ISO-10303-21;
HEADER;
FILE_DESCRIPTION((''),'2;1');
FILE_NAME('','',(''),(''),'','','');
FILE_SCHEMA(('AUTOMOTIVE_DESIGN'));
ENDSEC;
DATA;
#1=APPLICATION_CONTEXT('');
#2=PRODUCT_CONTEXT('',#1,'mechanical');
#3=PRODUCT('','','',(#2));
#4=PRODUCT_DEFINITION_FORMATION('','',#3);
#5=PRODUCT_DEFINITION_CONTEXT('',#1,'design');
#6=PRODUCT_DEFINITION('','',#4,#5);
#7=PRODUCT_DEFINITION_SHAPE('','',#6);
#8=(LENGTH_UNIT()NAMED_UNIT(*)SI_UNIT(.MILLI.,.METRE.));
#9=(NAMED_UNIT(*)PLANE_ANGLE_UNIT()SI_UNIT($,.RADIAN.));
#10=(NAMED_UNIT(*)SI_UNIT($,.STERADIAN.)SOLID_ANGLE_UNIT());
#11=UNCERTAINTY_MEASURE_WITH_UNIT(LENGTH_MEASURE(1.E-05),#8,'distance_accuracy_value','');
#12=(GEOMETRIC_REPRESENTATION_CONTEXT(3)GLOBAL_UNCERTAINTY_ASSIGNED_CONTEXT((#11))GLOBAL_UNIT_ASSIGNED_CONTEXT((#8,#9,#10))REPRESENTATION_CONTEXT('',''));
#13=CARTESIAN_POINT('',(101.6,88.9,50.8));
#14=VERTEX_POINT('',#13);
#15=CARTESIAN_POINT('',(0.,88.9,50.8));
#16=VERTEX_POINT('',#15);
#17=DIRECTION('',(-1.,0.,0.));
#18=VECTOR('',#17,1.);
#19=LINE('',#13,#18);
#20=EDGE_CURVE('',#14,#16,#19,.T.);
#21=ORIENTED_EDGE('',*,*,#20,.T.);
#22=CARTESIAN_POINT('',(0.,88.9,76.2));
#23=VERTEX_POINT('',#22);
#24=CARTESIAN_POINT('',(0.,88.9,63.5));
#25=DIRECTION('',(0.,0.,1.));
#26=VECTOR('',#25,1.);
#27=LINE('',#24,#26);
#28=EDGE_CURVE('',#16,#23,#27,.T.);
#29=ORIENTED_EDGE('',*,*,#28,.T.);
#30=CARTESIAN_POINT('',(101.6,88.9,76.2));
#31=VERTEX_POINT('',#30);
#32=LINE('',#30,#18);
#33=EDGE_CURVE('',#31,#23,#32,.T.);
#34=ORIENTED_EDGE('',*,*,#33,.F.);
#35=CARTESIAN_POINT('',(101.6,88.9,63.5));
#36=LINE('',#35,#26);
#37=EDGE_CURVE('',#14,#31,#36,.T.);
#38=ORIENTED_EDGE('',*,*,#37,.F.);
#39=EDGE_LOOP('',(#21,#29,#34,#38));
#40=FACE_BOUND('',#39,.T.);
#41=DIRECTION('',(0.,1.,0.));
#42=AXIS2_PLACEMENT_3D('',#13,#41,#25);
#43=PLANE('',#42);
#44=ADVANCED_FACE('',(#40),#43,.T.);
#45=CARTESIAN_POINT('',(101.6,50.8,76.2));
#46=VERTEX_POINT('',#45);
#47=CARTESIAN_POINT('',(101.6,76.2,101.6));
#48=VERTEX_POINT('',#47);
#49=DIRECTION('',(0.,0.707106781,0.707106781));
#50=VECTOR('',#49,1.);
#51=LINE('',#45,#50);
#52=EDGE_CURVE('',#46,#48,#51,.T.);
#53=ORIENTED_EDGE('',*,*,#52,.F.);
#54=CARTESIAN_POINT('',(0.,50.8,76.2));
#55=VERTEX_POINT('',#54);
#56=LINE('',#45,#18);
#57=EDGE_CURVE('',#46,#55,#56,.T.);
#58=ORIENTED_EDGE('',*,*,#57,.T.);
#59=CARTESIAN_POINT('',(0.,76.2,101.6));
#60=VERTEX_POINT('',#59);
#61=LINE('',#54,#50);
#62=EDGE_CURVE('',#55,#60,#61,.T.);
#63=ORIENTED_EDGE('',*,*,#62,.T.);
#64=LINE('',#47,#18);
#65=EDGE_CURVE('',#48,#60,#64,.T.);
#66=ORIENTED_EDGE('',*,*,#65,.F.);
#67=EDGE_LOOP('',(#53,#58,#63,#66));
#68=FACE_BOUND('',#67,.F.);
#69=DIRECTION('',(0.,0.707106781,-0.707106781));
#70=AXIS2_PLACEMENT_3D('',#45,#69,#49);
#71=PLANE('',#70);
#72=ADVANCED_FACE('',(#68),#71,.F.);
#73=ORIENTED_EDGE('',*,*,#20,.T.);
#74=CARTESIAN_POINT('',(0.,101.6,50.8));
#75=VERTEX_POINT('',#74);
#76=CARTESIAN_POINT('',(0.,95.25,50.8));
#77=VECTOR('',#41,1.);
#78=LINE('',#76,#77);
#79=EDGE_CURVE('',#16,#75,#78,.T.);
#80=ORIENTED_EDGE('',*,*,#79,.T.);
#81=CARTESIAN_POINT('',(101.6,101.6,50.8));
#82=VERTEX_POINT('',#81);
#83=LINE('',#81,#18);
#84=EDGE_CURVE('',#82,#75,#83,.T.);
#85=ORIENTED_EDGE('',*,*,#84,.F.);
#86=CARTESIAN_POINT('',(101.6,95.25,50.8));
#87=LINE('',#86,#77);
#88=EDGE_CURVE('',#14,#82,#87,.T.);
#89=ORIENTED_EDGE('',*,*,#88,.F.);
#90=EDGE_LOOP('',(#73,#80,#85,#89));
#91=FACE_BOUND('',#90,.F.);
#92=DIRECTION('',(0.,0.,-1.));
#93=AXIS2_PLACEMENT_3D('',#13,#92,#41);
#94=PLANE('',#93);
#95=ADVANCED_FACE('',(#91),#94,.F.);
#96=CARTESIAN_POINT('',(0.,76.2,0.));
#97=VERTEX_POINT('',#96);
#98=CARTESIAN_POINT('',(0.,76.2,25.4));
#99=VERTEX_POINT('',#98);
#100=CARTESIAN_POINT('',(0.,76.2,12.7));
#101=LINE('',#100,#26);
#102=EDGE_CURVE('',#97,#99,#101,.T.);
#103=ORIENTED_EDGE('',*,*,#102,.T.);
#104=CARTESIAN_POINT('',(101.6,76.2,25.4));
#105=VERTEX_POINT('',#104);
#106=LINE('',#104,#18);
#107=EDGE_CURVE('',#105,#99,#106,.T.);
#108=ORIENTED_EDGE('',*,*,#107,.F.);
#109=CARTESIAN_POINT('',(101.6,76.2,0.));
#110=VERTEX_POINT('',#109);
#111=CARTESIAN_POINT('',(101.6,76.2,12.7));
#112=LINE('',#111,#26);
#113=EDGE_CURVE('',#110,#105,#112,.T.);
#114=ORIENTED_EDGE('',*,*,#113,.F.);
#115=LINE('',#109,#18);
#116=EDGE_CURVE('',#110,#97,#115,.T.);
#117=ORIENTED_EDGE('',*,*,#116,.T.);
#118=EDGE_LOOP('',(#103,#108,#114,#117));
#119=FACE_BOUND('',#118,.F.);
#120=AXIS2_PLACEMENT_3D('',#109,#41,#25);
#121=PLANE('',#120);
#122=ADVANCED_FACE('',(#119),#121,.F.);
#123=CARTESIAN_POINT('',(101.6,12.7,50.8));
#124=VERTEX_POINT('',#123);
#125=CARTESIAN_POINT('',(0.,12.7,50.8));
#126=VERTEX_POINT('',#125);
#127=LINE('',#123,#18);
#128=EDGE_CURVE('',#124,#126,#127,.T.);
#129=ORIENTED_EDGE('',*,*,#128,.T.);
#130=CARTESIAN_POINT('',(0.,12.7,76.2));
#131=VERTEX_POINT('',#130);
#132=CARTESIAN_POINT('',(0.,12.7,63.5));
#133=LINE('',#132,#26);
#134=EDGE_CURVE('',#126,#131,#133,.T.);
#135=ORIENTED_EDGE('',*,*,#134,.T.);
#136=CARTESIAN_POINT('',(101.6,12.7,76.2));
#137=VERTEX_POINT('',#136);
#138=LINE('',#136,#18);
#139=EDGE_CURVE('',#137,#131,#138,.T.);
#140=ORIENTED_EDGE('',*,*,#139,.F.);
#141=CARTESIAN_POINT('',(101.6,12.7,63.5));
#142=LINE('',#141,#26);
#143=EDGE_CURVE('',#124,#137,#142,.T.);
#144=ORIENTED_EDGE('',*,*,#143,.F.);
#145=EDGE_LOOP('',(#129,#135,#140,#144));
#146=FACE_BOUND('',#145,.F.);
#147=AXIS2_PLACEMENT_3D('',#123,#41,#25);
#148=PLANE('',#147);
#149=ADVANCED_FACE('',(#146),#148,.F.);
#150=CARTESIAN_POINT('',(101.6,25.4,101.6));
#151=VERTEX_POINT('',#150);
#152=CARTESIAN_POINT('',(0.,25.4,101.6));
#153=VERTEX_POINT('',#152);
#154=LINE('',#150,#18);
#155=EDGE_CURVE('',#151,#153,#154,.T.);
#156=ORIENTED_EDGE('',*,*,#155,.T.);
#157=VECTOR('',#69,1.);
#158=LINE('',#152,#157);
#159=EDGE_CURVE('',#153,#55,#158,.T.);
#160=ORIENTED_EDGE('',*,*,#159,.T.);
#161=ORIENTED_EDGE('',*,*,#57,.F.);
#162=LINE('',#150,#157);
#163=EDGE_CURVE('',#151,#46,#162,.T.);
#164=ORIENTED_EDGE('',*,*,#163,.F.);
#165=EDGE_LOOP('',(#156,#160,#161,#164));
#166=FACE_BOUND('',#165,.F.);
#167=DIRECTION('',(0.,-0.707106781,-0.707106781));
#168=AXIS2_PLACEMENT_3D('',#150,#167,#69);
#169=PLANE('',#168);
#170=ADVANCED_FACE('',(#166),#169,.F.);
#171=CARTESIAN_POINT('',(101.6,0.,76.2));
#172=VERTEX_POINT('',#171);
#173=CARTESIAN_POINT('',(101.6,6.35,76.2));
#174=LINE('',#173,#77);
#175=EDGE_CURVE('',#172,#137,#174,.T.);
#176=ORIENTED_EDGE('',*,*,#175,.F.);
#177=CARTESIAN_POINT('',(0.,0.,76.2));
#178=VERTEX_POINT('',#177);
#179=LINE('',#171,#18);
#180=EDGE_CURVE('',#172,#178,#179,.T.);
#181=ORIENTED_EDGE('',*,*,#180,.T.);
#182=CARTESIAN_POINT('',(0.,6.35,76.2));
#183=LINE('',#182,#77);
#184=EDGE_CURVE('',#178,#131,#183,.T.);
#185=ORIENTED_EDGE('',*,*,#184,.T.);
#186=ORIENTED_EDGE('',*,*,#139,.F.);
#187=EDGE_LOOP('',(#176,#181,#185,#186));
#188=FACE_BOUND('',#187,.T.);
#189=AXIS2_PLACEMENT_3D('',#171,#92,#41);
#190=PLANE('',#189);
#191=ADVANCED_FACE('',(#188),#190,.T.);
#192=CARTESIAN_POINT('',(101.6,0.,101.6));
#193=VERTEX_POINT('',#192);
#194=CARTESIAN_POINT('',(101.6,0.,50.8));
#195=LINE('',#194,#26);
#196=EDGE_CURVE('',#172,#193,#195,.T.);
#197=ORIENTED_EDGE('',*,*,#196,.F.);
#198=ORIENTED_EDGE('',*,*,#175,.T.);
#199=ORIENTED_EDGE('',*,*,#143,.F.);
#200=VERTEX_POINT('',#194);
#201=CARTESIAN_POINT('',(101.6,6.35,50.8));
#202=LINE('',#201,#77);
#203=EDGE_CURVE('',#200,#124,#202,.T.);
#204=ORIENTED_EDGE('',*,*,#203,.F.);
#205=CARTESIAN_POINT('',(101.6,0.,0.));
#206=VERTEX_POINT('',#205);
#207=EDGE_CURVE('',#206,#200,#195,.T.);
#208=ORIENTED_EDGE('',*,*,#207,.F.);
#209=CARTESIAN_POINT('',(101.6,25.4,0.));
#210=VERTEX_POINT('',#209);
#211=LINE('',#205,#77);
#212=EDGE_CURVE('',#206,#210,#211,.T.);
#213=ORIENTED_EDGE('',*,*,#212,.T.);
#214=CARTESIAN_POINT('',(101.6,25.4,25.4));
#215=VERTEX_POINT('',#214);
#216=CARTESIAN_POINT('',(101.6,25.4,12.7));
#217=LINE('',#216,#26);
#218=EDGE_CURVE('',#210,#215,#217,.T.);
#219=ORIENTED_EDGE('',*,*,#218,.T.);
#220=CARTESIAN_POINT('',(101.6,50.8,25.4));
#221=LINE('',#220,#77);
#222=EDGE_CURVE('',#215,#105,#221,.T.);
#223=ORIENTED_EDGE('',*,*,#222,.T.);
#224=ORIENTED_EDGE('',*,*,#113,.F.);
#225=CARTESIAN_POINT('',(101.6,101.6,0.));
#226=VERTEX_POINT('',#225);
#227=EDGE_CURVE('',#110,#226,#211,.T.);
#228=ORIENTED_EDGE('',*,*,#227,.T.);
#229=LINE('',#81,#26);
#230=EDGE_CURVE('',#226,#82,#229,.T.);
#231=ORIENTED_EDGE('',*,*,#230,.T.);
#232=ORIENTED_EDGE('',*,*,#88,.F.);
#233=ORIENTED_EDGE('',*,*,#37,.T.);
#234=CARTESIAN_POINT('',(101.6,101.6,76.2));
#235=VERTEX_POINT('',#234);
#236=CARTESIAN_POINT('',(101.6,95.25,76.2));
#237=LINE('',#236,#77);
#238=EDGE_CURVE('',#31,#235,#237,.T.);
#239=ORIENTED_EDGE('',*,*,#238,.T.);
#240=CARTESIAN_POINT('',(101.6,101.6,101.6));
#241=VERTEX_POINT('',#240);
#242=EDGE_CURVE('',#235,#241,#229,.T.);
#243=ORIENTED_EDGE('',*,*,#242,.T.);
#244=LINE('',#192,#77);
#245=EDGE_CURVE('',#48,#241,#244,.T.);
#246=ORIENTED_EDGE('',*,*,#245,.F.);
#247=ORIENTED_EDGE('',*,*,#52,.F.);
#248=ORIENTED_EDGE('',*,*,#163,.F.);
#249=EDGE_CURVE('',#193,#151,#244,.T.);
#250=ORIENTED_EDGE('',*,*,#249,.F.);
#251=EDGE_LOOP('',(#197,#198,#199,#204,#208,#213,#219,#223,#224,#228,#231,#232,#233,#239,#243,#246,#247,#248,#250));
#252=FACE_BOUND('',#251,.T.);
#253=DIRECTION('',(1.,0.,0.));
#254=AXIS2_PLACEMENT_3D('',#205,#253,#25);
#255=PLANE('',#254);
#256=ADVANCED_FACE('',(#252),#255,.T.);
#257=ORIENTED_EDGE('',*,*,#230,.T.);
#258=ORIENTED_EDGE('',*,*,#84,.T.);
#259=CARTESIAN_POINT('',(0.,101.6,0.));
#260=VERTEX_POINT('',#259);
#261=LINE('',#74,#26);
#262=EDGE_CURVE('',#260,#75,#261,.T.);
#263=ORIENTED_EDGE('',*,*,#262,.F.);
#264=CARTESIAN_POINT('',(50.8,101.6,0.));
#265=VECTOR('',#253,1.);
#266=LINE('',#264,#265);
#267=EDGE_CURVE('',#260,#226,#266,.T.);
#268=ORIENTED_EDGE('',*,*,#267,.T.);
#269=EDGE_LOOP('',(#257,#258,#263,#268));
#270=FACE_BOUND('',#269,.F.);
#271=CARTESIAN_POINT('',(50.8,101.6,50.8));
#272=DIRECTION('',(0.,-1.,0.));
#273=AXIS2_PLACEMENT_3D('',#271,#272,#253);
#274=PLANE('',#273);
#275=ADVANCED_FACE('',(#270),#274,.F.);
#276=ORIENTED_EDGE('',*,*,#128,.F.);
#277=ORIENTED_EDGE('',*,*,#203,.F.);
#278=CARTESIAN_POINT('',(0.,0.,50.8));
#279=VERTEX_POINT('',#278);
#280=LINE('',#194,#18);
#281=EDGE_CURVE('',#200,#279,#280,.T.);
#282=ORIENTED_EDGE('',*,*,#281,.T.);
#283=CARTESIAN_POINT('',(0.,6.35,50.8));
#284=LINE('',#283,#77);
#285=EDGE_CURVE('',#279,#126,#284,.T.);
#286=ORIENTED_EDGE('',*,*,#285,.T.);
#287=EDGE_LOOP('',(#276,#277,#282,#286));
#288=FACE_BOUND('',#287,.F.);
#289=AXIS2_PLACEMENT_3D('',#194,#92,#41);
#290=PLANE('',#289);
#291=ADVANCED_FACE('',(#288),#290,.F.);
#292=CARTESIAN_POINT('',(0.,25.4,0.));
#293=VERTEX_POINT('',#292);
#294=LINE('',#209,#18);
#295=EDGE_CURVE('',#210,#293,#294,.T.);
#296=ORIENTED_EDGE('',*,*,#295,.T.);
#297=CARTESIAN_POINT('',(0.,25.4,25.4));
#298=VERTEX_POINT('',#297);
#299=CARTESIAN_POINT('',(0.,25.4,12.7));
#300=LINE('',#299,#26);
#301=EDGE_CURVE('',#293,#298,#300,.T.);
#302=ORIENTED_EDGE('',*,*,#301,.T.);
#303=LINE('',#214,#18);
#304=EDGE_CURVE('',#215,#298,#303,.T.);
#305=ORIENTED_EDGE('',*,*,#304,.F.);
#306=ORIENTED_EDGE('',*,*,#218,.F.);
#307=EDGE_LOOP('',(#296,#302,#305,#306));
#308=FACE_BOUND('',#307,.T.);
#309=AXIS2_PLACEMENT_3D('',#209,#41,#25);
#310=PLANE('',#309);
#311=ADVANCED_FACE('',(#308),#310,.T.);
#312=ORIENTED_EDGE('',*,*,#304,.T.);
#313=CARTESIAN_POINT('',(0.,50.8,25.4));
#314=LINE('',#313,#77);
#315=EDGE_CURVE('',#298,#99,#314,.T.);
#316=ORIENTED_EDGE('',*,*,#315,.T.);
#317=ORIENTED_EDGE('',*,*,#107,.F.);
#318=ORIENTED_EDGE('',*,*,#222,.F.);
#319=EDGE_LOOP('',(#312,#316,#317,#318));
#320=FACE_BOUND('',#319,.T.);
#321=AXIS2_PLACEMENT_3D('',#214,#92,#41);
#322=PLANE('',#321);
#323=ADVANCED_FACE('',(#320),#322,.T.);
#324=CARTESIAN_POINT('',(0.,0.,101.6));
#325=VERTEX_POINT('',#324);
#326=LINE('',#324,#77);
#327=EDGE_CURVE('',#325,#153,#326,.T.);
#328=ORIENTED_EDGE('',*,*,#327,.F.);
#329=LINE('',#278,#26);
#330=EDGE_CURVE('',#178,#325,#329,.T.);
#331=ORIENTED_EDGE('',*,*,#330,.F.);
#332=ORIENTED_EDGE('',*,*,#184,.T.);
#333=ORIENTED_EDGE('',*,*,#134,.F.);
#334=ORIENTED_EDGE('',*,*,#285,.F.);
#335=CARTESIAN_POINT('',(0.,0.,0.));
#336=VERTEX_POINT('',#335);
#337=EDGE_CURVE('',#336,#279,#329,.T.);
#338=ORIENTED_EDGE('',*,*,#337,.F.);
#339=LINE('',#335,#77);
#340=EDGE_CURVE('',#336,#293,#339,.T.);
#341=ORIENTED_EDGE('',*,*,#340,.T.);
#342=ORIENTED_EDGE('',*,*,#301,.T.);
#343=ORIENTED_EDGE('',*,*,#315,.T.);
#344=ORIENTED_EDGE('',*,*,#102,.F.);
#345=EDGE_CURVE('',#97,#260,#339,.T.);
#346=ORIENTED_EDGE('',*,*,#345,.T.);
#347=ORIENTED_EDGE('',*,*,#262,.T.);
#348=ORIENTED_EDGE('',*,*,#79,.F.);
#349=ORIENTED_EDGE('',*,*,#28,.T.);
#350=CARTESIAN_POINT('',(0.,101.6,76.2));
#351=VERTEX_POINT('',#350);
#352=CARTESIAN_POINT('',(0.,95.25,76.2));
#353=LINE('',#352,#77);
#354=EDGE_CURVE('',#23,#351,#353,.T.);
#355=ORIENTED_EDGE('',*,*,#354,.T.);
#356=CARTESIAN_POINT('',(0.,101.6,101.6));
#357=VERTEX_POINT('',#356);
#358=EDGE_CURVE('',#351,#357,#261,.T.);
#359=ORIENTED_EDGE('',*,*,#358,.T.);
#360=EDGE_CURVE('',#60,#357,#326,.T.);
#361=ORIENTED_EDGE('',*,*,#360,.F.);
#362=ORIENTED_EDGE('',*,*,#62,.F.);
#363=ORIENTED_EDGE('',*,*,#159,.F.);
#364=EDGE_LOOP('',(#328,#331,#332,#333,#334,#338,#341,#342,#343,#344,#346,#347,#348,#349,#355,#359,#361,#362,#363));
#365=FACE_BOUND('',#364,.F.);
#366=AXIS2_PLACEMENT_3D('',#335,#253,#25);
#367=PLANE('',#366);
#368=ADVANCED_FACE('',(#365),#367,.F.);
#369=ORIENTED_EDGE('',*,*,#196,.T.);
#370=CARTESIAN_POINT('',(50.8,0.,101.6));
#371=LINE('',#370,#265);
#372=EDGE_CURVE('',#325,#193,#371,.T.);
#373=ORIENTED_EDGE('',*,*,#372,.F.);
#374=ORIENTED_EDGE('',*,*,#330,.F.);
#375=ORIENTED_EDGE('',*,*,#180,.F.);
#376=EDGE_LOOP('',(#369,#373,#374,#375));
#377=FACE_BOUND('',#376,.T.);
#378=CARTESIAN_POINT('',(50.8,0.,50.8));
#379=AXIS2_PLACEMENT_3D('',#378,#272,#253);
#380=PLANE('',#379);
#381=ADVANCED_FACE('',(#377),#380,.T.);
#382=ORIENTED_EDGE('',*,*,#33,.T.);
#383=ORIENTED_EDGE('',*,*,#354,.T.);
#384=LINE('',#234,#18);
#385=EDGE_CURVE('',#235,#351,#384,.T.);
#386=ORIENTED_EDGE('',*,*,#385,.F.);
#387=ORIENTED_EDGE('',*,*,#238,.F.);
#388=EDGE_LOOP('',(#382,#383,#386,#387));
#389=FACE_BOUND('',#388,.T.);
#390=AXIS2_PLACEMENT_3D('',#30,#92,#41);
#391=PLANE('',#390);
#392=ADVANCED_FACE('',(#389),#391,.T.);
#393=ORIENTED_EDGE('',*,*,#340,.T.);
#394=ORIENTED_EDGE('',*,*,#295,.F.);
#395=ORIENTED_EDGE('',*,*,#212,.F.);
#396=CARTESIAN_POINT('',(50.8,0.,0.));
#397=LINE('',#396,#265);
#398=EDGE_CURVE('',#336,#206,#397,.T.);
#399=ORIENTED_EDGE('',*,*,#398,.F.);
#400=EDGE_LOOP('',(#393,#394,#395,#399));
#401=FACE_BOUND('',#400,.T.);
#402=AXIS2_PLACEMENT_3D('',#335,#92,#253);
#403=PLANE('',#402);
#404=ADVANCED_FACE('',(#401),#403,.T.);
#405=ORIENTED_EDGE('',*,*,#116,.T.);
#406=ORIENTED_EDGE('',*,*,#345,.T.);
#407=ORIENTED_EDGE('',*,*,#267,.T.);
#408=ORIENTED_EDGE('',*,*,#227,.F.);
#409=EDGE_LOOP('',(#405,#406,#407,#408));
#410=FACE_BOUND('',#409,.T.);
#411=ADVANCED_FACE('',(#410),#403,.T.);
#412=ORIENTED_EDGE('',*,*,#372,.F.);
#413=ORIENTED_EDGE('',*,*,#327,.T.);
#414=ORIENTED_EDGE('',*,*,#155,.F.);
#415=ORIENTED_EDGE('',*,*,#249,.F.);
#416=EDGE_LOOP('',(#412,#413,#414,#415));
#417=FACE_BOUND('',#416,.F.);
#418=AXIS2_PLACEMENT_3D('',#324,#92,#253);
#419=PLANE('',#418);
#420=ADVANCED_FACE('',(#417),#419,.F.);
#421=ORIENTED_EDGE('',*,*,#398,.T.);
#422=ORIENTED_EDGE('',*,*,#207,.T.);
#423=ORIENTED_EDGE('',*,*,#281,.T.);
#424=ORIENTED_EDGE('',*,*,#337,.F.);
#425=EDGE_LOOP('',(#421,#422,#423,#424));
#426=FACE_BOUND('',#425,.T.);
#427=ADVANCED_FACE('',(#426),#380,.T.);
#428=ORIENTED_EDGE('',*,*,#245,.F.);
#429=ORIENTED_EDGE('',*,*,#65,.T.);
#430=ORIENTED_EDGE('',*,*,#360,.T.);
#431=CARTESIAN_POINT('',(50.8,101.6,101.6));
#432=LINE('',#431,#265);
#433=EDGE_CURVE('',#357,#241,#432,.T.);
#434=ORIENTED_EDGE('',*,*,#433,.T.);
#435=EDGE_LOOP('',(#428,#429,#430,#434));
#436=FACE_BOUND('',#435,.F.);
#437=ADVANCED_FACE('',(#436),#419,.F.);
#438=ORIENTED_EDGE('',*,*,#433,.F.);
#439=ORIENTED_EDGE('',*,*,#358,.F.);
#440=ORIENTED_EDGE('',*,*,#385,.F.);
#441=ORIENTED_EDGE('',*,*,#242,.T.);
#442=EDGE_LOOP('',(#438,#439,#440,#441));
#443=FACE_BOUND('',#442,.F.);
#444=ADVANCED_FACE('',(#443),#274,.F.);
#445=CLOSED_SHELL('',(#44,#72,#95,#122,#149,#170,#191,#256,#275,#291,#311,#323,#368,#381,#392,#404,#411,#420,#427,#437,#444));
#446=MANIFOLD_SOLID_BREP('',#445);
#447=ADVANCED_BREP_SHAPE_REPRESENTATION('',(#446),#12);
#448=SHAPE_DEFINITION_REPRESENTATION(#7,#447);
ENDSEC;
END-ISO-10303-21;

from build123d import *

# Parameters (mm, degrees)
F0_W     = 101.6
F0_H     = 101.6
F1_DEPTH = 101.6
F2_W     = 12.7
F2_H     = 25.4
F3_DEPTH = 101.6
F4_W     = 12.7
F4_H     = 25.4
F5_DEPTH = 101.6
F6_W     = 50.8
F6_H     = 25.4
F7_DEPTH = 101.6
F9_DEPTH = 101.6


with BuildPart() as f1:
    # F0 (on Front) → F1 (new body)
    with BuildSketch(Plane.XZ):
        with Locations((50.8, 50.8)):
            Rectangle(F0_W, F0_H)
    extrude(amount=-F1_DEPTH)

    # F2 (on face) → F3 (cut)
    with BuildSketch(Plane.YZ.offset(101.6)):
        with Locations((6.35, 63.5)):
            Rectangle(F2_W, F2_H)
    extrude(amount=-F3_DEPTH, mode=Mode.SUBTRACT)

    # F4 (on face) → F5 (cut)
    with BuildSketch(Plane.YZ.offset(101.6)):
        with Locations((95.25, 63.5)):
            Rectangle(F4_W, F4_H)
    extrude(amount=-F5_DEPTH, mode=Mode.SUBTRACT)

    # F6 (on face) → F7 (cut)
    with BuildSketch(Plane.YZ.offset(101.6)):
        with Locations((50.8, 12.7)):
            Rectangle(F6_W, F6_H)
    extrude(amount=-F7_DEPTH, mode=Mode.SUBTRACT)

    # F8 (on face) → F9 (cut)
    with BuildSketch(Plane.YZ.offset(101.6)):
        Polygon((50.8, 101.6), (25.4, 101.6), (50.8, 76.2), align=None)
        Polygon((50.8, 101.6), (50.8, 76.2), (76.2, 101.6), align=None)
    extrude(amount=-F9_DEPTH, mode=Mode.SUBTRACT)


solid = f1.part
